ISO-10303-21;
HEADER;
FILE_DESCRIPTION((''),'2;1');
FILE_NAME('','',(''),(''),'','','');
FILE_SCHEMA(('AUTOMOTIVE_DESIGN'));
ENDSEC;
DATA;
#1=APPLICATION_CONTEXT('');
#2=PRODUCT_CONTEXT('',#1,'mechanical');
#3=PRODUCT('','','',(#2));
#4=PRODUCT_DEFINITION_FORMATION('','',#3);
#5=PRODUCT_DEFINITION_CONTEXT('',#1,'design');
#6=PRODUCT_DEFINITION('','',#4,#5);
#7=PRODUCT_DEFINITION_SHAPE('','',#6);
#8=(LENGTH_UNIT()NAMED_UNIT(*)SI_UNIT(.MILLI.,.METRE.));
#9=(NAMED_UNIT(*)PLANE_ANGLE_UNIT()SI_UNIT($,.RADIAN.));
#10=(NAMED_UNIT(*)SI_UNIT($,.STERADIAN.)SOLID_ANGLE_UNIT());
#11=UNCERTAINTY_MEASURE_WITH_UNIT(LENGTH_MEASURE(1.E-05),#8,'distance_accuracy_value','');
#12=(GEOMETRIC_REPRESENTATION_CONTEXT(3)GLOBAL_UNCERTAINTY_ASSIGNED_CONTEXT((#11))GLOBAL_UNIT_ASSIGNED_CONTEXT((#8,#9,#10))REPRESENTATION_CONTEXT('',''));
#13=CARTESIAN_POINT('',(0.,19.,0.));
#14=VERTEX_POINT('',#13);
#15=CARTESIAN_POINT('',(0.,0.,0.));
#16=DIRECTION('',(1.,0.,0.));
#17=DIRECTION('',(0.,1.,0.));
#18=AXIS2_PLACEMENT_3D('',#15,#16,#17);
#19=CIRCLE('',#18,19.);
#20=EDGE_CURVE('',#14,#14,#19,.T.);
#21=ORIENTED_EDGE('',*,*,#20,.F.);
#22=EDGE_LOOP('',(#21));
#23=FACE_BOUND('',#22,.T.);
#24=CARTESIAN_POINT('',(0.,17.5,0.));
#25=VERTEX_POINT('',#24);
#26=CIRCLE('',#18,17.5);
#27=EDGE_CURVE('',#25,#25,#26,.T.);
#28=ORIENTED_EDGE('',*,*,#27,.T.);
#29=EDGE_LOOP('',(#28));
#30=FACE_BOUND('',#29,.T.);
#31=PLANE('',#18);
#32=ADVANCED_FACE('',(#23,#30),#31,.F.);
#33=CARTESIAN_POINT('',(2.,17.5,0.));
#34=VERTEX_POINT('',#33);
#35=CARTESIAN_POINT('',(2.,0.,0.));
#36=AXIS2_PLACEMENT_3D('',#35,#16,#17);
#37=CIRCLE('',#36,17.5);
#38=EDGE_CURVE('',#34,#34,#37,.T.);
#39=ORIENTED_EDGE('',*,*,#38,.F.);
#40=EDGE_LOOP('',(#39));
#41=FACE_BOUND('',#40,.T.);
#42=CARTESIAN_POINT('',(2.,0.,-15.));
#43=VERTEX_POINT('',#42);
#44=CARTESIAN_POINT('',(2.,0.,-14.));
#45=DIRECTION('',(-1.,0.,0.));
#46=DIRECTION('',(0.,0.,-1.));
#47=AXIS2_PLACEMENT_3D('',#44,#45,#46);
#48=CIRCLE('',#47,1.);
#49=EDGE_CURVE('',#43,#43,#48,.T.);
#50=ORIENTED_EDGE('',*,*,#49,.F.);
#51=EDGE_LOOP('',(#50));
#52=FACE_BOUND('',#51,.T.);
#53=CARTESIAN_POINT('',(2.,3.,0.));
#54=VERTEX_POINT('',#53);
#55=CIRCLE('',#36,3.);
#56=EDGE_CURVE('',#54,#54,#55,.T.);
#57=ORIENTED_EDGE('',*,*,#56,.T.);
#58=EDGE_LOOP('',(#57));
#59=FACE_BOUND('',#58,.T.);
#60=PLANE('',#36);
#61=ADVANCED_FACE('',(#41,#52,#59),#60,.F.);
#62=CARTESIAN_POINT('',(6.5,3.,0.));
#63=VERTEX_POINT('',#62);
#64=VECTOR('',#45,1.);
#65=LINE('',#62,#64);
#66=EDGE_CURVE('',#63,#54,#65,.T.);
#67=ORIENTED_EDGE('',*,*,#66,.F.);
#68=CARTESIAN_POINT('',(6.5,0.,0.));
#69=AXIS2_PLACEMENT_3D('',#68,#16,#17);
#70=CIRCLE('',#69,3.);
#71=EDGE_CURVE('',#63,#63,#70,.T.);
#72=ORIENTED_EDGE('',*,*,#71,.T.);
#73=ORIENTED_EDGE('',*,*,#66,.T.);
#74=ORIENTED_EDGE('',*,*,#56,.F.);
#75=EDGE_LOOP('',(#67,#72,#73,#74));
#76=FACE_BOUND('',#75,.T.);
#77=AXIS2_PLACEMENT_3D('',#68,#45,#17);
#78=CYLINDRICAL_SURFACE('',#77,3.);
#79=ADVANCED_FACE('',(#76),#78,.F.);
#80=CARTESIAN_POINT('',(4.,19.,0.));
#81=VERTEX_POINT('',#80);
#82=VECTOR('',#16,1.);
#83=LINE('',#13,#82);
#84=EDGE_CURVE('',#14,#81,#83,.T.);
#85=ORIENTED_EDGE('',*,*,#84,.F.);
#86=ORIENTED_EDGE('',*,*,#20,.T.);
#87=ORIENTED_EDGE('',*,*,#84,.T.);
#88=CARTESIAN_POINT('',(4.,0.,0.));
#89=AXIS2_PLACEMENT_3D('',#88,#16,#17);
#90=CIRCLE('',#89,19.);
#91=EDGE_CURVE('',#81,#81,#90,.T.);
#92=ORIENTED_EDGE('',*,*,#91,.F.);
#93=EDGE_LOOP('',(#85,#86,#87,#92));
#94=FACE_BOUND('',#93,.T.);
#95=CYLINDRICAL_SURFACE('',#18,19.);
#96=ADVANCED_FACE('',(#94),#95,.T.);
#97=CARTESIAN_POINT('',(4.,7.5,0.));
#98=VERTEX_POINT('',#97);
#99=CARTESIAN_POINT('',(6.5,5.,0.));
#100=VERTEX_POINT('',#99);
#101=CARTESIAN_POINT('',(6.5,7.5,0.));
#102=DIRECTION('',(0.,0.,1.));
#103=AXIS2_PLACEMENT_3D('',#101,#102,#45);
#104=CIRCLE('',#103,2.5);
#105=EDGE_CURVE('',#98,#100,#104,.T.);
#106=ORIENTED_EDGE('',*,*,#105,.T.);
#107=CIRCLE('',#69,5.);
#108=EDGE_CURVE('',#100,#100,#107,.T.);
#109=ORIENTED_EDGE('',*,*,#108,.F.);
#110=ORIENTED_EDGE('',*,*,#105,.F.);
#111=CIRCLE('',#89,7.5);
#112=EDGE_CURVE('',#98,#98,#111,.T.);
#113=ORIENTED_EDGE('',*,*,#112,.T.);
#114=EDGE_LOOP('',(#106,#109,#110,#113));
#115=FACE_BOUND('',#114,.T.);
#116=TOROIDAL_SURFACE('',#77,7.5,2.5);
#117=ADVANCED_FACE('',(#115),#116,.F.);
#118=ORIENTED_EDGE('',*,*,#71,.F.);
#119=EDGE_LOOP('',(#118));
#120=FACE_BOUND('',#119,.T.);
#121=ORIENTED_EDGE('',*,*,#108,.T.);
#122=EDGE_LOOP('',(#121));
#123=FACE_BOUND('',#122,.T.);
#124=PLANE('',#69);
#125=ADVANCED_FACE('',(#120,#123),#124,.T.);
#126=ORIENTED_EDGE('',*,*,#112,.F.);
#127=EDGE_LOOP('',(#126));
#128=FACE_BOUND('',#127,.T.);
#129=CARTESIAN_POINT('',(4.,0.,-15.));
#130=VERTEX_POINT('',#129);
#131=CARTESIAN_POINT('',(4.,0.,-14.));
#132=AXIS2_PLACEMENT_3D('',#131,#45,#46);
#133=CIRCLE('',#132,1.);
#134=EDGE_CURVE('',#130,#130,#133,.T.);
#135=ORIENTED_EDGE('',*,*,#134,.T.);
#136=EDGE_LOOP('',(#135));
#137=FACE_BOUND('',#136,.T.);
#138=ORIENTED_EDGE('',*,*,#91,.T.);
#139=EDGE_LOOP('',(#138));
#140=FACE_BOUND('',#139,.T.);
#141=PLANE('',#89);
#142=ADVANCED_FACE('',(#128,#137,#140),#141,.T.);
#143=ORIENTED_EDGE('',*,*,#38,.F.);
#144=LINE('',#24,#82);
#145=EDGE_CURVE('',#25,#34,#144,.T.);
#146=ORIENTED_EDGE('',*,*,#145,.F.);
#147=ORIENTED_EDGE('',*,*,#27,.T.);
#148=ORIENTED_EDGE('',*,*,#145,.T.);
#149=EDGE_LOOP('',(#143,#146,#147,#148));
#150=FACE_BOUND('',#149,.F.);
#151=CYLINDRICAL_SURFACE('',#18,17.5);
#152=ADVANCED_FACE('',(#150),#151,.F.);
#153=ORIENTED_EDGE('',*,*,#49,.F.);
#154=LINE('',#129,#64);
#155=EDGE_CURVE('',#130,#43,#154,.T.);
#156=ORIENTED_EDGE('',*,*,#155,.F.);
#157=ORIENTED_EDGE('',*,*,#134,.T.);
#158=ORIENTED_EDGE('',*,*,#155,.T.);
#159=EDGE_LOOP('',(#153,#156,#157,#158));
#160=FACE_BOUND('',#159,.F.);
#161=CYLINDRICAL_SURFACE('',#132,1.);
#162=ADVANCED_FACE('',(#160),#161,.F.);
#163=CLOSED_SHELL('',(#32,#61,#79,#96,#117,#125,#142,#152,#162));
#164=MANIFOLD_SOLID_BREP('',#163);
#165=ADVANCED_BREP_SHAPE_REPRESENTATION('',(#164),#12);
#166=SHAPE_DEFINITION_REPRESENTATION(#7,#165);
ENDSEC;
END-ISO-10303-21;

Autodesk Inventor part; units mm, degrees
ref_plane "YZ Plane" through (0, 0, 0) normal (1, 0, 0) x (0, 1, 0)
ref_plane "XZ Plane" through (0, 0, 0) normal (0, 1, 0) x (-1, 0, 0)
ref_plane "XY Plane" through (0, 0, 0) normal (0, 0, 1) x (1, 0, 0)
sketch "Skizze1" plane through (0, 0, 0) normal (0, 0, 1) x (1, 0, 0)
  line L0 (-1.3, 0) -> (7.8, 0) projected
  line L1 (0, -3.8) -> (0, 22.8) projected
  line L2 (0, 17.5) -> (0, 19)
  line L3 (0, 19) -> (4, 19)
  line L4 (4, 19) -> (4, 7.5)
  arc A0 (4, 7.5) -> (6.5, 5) centre (6.5, 7.5) ccw
  line L5 (6.5, 5) -> (6.5, 3)
  line L6 (6.5, 3) -> (2, 3)
  line L7 (2, 3) -> (2, 17.5)
  line L8 (0, 17.5) -> (2, 17.5)
  point P0 (0, 0)
  dimension "d0" = 38
  dimension "d1" = 35
  dimension "d2" = 6
  dimension "d3" = 2
  dimension "d4" = 4
  dimension "d5" = 6.5
  dimension "d6" = 2.5
  dimension "d7" = 10
revolve "Umdrehung1" add sketch "Skizze1" angle 360 about axis through (-10, 0, 0) along (1, 0, 0)
sketch "Skizze2" plane through (4, 0, 0) normal (1, 0, 0) x (0, 0, -1)
  line L0 (26.6, 0) -> (-26.6, 0) projected
  line L1 (0, -26.6) -> (0, 26.6) projected
  point P0 (0, 0)
  point P1 (14, 0)
  dimension "d9" = 14
hole "Bohrung1" at (4, 0, -14) direction (-1, 0, 0) diameter 2 end through all
properties part number "Brennerdeckel"
